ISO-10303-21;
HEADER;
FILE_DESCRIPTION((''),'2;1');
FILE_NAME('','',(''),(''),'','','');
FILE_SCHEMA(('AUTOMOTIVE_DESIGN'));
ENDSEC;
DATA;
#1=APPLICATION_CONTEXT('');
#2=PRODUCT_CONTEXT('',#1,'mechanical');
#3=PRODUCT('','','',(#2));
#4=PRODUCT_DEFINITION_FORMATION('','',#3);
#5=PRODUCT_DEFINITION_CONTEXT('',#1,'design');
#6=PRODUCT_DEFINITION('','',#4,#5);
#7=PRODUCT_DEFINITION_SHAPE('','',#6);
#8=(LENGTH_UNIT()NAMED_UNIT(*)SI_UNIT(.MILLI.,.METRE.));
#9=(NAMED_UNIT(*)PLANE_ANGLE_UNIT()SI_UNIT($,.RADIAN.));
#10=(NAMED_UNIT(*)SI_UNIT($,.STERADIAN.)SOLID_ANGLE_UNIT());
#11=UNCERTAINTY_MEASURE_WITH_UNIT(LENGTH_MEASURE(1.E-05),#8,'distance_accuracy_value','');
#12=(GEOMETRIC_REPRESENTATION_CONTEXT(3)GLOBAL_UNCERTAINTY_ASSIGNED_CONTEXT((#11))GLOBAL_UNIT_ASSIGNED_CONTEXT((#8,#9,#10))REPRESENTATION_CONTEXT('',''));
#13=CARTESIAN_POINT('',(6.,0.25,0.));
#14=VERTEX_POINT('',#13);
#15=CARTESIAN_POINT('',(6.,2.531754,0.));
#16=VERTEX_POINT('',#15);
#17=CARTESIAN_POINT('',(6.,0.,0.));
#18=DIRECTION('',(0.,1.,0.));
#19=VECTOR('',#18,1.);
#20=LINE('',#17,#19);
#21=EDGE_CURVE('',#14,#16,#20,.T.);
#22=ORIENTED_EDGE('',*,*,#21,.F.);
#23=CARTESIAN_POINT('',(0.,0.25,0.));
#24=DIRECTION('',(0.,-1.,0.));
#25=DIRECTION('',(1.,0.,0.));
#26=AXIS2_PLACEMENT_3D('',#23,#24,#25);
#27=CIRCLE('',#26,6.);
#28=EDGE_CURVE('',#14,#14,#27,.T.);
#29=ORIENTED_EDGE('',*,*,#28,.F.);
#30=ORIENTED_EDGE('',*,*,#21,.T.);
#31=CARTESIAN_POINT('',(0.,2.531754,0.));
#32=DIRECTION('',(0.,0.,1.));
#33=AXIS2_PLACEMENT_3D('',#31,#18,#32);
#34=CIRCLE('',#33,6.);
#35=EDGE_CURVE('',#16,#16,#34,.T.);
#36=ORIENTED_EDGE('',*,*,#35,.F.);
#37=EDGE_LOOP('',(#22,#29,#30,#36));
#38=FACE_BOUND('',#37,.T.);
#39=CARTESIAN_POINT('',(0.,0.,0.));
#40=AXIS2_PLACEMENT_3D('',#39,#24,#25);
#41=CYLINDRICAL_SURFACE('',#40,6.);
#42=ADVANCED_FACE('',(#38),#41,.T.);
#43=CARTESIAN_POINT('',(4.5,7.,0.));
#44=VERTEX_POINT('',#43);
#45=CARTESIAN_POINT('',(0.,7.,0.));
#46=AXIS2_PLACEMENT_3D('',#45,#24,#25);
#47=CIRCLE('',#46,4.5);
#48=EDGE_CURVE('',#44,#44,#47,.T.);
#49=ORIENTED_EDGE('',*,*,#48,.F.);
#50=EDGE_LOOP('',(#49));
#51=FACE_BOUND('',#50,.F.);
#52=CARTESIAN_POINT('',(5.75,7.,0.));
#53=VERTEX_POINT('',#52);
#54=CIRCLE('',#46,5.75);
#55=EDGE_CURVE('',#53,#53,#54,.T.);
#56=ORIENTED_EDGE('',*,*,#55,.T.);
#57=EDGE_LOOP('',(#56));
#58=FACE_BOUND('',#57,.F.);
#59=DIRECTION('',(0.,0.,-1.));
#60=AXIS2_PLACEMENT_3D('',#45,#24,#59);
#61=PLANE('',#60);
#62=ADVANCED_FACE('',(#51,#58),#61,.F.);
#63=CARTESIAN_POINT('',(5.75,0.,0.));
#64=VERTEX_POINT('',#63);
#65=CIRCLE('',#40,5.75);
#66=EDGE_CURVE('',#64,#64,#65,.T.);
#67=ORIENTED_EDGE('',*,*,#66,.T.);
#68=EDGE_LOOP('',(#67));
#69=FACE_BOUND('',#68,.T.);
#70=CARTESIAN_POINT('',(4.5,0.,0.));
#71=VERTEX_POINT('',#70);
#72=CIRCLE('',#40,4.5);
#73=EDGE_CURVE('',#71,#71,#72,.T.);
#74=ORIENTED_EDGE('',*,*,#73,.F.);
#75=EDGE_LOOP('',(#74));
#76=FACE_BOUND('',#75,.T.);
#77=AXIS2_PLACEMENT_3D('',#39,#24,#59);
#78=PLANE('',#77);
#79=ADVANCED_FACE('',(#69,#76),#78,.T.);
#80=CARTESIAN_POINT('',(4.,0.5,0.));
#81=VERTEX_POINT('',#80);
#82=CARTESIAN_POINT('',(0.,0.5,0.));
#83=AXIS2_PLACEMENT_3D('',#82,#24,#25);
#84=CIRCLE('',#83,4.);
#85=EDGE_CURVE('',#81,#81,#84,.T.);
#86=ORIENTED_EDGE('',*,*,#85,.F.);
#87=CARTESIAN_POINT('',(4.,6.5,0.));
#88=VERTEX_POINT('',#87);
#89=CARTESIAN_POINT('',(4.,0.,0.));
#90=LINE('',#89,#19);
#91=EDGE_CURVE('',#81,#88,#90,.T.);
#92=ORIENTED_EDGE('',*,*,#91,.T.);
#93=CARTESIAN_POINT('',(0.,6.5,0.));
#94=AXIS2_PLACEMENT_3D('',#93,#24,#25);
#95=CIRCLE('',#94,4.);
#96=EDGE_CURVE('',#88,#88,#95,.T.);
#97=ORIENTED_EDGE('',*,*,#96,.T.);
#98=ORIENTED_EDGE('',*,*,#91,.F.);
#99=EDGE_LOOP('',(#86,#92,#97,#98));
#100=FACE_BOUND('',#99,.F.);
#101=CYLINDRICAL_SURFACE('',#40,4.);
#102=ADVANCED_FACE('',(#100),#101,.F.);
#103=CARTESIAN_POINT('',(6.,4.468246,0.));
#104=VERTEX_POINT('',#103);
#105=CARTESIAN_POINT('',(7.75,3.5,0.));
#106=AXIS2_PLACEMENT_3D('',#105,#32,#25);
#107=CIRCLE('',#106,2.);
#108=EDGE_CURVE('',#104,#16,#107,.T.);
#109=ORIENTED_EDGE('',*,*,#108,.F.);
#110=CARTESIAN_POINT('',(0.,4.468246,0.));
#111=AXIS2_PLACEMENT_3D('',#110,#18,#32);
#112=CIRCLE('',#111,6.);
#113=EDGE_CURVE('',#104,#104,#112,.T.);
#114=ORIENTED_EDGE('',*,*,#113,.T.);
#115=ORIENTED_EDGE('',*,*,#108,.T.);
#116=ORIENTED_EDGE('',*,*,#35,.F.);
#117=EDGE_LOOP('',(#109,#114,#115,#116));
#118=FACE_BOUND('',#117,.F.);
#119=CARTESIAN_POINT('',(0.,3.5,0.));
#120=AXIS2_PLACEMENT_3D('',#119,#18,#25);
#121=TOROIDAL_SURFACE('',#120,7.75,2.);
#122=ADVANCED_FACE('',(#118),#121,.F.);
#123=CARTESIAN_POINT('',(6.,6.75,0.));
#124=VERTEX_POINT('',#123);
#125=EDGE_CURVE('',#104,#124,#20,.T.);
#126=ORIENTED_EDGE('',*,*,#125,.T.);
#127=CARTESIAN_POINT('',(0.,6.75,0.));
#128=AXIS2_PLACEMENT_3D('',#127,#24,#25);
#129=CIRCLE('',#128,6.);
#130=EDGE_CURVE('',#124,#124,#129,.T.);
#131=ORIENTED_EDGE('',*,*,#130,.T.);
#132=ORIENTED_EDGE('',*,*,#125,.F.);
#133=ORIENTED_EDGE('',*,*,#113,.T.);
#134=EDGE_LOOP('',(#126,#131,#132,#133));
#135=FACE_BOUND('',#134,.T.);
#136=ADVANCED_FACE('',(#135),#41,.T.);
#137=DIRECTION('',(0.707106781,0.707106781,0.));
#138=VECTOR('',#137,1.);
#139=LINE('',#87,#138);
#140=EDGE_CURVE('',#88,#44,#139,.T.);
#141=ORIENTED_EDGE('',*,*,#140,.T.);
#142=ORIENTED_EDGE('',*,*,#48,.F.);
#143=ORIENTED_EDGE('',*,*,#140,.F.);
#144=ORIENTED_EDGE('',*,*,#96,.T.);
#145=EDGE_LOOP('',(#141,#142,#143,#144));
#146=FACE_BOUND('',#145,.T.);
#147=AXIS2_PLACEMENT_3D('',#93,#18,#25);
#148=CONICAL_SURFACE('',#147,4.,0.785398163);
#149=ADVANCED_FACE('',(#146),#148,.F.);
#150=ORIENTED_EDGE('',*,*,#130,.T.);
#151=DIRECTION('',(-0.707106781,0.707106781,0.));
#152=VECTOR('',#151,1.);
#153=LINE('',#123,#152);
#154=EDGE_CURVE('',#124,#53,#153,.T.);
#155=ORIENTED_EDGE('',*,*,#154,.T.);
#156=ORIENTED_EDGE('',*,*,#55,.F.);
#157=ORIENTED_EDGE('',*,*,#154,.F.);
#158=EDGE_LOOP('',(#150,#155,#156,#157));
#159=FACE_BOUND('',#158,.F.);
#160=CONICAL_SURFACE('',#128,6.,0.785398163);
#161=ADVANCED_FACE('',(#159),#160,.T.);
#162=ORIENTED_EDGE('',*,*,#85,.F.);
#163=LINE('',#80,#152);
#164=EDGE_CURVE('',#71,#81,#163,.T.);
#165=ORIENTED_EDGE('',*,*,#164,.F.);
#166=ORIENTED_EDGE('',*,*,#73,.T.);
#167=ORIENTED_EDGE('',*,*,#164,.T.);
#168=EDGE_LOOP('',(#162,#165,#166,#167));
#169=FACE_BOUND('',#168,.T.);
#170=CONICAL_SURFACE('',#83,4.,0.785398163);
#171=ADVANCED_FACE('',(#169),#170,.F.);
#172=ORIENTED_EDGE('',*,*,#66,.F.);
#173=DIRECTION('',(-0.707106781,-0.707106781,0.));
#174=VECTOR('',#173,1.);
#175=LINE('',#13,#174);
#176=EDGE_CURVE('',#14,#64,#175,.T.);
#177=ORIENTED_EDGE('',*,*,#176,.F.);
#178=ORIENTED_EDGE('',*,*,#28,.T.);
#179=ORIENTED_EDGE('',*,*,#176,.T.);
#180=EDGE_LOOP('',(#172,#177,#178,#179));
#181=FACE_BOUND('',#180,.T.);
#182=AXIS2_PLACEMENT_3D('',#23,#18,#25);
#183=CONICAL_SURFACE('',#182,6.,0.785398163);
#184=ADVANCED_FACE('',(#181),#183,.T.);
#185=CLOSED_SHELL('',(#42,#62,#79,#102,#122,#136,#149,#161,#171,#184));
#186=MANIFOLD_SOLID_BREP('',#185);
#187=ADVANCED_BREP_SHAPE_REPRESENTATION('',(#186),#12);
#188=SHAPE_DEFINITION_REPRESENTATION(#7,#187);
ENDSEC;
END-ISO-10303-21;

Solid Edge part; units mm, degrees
sketch "Sketch1" plane through (0, 0, 0) normal (0, -1, 0) x (1, 0, 0)
  circle A0 centre (0, 0) radius 4
  circle A1 centre (0, 0) radius 6
  dimension "D1" = 2
extrude "Protrusion1" add sketch "Sketch1" against normal blind 7
sketch "Sketch2" plane through (0, 0, 0) normal (0, 0, 1) x (1, 0, 0)
  circle A0 centre (7.75, 3.5) radius 2
revolve "RevolvedCutout1" cut sketch "Sketch2" angle 360 about axis through (0, 0, 0) along (0, 1, 0)
chamfer "Chanfrein_1" distance 0.25 angle 45 2 edges at (-6, 7, 0) (-6, 0, 0)
chamfer "Chanfrein_2" distance 0.5 angle 45 2 edges at (-4, 0, 0) (-4, 7, 0)
properties material "Steel"
